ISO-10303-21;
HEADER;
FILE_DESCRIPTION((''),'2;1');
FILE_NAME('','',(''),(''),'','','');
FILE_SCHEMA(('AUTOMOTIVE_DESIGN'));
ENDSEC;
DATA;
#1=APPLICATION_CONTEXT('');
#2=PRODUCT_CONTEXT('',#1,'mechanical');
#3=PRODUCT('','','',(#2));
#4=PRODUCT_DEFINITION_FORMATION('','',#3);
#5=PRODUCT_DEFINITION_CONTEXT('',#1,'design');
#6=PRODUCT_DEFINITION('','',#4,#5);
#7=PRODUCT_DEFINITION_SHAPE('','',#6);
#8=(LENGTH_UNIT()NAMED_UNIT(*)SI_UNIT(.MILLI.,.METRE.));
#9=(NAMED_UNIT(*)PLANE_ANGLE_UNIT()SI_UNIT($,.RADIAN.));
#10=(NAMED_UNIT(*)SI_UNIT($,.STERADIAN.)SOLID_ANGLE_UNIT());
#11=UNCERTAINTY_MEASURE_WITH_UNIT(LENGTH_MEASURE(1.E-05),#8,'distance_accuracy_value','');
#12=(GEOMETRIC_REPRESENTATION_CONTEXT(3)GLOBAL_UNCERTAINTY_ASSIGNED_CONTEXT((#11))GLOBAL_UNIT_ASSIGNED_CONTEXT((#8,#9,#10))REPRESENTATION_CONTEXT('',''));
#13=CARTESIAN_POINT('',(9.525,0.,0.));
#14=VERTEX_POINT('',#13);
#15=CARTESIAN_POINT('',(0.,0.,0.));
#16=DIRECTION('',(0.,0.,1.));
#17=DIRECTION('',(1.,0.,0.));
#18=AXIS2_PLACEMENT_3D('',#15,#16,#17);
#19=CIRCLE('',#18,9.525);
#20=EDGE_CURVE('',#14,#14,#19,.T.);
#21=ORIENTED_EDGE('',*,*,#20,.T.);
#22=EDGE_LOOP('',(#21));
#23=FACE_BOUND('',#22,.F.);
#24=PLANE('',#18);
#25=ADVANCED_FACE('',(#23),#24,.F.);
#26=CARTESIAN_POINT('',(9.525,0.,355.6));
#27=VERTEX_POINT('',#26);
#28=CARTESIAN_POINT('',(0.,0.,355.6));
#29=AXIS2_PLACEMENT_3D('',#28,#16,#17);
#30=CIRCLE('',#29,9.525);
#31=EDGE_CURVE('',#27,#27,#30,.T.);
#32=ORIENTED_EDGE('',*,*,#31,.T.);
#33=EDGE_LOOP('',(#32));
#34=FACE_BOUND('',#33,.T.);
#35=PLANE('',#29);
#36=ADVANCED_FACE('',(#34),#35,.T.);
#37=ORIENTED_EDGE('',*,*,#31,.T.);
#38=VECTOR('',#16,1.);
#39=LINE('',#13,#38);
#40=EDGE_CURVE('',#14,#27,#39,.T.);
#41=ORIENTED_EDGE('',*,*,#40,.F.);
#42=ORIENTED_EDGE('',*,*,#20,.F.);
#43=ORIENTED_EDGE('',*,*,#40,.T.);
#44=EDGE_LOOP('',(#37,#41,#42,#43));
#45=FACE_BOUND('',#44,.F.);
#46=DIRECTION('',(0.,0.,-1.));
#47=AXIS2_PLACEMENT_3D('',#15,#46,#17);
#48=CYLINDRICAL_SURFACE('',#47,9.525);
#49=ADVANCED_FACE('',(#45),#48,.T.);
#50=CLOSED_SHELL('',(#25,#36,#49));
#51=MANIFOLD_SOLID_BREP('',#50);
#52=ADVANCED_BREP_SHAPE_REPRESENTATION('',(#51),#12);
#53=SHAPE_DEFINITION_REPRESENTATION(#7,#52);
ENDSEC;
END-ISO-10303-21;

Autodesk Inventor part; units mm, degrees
ref_plane "YZ Plane" through (0, 0, 0) normal (1, 0, 0) x (0, 1, 0)
ref_plane "XZ Plane" through (0, 0, 0) normal (0, 1, 0) x (-1, 0, 0)
ref_plane "XY Plane" through (0, 0, 0) normal (0, 0, 1) x (1, 0, 0)
sketch "Sketch1" plane through (0, 0, 0) normal (0, 0, 1) x (1, 0, 0)
  circle A0 centre (0, 0) radius 9.525
  dimension "d0" = 19.05
extrude "Extrusion1" add sketch "Sketch1" along normal blind 355.6
properties part number "left_tube_0"
